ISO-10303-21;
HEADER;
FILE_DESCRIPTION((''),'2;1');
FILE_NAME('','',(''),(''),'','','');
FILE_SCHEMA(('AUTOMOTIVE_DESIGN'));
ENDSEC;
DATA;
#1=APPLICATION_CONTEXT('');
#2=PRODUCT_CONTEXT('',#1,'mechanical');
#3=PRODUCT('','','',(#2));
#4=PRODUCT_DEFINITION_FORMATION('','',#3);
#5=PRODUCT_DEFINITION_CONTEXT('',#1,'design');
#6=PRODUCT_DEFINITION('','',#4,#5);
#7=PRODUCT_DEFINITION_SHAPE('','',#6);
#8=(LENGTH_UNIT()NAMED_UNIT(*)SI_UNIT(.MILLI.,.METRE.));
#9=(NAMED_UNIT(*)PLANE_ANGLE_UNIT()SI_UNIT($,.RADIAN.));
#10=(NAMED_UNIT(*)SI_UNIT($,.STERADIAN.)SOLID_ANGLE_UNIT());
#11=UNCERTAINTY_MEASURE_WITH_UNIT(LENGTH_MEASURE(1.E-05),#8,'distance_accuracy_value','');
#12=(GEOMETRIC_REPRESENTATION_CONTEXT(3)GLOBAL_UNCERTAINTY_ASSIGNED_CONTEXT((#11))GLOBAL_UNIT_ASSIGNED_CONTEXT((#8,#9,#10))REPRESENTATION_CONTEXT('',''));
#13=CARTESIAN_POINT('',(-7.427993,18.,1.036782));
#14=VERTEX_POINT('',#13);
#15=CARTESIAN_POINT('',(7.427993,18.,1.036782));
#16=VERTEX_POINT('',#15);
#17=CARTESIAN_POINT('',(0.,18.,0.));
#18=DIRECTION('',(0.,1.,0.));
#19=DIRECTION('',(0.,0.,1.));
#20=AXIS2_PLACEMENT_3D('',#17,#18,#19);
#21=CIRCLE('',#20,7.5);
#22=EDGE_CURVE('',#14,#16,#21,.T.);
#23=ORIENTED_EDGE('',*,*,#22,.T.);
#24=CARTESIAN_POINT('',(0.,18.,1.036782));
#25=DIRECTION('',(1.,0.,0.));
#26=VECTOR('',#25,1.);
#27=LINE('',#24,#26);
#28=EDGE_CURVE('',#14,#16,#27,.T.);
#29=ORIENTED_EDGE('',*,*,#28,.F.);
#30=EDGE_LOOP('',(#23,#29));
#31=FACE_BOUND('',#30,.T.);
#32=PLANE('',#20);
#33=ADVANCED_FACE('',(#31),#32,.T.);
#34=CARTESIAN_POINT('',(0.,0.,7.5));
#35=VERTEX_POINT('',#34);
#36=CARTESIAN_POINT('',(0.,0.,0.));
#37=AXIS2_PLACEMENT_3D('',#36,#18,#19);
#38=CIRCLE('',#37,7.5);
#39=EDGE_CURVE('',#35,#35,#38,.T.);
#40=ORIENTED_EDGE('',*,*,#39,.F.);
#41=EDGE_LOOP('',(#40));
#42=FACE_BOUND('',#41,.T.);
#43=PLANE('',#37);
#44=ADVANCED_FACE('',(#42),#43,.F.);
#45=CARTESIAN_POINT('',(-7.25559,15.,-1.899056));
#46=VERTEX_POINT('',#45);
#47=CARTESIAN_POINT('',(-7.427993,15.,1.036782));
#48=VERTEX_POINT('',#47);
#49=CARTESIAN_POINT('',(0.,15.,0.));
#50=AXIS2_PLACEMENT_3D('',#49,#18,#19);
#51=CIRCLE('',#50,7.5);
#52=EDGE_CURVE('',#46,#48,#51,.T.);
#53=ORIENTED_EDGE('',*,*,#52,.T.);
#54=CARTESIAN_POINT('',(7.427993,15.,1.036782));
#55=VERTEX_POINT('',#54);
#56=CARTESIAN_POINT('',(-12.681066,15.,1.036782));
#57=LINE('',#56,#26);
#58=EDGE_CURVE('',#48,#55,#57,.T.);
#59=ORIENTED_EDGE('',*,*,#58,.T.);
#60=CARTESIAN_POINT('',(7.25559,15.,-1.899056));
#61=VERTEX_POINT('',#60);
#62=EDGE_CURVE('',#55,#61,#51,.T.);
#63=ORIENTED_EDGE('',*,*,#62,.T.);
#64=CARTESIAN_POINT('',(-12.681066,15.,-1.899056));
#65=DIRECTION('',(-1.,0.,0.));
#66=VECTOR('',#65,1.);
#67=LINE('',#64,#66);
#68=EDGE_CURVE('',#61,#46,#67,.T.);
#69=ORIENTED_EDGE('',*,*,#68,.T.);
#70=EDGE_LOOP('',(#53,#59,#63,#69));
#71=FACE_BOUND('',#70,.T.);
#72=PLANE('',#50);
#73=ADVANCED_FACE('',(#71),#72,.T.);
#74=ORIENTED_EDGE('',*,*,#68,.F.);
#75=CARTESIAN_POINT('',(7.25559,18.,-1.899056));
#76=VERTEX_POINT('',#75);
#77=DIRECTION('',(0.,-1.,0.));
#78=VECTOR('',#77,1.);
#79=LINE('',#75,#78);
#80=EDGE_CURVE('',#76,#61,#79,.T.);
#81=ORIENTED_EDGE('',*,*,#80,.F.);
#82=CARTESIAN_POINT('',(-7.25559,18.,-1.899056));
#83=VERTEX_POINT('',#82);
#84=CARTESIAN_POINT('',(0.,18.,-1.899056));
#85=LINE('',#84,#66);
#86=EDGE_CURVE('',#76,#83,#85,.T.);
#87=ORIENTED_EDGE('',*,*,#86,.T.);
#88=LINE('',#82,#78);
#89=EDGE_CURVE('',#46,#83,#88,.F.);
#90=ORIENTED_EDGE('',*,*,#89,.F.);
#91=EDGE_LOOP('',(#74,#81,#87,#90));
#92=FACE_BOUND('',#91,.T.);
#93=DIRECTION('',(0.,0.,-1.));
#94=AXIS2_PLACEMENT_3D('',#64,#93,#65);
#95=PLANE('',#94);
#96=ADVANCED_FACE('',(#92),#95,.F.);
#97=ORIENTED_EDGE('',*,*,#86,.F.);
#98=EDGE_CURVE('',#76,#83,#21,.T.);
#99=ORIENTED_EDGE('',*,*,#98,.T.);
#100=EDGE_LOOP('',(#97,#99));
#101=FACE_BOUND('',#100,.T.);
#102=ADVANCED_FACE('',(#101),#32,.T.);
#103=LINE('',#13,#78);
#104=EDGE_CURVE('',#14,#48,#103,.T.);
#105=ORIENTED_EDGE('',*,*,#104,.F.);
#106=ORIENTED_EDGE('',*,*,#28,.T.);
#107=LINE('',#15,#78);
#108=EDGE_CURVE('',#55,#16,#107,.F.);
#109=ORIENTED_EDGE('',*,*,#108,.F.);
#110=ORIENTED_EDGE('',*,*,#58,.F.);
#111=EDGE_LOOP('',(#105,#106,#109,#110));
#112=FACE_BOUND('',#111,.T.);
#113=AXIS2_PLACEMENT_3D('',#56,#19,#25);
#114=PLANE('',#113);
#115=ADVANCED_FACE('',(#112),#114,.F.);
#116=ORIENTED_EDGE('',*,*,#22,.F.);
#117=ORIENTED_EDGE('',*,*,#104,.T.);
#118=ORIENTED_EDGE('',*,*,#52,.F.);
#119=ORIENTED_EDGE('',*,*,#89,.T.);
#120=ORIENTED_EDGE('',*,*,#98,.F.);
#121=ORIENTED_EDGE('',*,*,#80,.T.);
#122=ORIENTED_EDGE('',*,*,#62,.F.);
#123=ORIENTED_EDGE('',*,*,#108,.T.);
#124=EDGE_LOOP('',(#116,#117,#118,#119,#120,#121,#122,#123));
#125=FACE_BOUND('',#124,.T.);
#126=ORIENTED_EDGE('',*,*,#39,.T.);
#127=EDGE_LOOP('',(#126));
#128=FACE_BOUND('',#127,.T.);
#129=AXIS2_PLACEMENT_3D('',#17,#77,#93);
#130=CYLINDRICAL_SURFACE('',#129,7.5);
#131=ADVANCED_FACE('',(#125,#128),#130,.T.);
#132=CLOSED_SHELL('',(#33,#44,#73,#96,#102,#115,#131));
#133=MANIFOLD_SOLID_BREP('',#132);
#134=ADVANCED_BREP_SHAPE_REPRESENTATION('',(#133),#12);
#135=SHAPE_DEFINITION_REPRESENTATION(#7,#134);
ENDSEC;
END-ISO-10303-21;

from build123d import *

# Parameters (mm, degrees)
SKETCH1_R           = 7.5
BOSS_EXTRUDE1_DEPTH = 18
SKETCH2_W           = 24.164210644
SKETCH2_H           = 2.935838677
CUT_EXTRUDE1_DEPTH  = 3


with BuildPart() as part:
    # Sketch1 → Boss-Extrude1 (new body)
    with BuildSketch(Plane(origin=(0, 0, 0), x_dir=(1, 0, 0), z_dir=(0, 1, 0))):
        Circle(SKETCH1_R)
    extrude(amount=BOSS_EXTRUDE1_DEPTH)

    # Sketch2 → Cut-Extrude1 (cut)
    with BuildSketch(Plane(origin=(0, 18, 0), x_dir=(1, 0, 0), z_dir=(0, 1, 0))):
        with Locations((-0.598960247, 0.431137149)):
            Rectangle(SKETCH2_W, SKETCH2_H)
    extrude(amount=-CUT_EXTRUDE1_DEPTH, mode=Mode.SUBTRACT)


solid = part.part
